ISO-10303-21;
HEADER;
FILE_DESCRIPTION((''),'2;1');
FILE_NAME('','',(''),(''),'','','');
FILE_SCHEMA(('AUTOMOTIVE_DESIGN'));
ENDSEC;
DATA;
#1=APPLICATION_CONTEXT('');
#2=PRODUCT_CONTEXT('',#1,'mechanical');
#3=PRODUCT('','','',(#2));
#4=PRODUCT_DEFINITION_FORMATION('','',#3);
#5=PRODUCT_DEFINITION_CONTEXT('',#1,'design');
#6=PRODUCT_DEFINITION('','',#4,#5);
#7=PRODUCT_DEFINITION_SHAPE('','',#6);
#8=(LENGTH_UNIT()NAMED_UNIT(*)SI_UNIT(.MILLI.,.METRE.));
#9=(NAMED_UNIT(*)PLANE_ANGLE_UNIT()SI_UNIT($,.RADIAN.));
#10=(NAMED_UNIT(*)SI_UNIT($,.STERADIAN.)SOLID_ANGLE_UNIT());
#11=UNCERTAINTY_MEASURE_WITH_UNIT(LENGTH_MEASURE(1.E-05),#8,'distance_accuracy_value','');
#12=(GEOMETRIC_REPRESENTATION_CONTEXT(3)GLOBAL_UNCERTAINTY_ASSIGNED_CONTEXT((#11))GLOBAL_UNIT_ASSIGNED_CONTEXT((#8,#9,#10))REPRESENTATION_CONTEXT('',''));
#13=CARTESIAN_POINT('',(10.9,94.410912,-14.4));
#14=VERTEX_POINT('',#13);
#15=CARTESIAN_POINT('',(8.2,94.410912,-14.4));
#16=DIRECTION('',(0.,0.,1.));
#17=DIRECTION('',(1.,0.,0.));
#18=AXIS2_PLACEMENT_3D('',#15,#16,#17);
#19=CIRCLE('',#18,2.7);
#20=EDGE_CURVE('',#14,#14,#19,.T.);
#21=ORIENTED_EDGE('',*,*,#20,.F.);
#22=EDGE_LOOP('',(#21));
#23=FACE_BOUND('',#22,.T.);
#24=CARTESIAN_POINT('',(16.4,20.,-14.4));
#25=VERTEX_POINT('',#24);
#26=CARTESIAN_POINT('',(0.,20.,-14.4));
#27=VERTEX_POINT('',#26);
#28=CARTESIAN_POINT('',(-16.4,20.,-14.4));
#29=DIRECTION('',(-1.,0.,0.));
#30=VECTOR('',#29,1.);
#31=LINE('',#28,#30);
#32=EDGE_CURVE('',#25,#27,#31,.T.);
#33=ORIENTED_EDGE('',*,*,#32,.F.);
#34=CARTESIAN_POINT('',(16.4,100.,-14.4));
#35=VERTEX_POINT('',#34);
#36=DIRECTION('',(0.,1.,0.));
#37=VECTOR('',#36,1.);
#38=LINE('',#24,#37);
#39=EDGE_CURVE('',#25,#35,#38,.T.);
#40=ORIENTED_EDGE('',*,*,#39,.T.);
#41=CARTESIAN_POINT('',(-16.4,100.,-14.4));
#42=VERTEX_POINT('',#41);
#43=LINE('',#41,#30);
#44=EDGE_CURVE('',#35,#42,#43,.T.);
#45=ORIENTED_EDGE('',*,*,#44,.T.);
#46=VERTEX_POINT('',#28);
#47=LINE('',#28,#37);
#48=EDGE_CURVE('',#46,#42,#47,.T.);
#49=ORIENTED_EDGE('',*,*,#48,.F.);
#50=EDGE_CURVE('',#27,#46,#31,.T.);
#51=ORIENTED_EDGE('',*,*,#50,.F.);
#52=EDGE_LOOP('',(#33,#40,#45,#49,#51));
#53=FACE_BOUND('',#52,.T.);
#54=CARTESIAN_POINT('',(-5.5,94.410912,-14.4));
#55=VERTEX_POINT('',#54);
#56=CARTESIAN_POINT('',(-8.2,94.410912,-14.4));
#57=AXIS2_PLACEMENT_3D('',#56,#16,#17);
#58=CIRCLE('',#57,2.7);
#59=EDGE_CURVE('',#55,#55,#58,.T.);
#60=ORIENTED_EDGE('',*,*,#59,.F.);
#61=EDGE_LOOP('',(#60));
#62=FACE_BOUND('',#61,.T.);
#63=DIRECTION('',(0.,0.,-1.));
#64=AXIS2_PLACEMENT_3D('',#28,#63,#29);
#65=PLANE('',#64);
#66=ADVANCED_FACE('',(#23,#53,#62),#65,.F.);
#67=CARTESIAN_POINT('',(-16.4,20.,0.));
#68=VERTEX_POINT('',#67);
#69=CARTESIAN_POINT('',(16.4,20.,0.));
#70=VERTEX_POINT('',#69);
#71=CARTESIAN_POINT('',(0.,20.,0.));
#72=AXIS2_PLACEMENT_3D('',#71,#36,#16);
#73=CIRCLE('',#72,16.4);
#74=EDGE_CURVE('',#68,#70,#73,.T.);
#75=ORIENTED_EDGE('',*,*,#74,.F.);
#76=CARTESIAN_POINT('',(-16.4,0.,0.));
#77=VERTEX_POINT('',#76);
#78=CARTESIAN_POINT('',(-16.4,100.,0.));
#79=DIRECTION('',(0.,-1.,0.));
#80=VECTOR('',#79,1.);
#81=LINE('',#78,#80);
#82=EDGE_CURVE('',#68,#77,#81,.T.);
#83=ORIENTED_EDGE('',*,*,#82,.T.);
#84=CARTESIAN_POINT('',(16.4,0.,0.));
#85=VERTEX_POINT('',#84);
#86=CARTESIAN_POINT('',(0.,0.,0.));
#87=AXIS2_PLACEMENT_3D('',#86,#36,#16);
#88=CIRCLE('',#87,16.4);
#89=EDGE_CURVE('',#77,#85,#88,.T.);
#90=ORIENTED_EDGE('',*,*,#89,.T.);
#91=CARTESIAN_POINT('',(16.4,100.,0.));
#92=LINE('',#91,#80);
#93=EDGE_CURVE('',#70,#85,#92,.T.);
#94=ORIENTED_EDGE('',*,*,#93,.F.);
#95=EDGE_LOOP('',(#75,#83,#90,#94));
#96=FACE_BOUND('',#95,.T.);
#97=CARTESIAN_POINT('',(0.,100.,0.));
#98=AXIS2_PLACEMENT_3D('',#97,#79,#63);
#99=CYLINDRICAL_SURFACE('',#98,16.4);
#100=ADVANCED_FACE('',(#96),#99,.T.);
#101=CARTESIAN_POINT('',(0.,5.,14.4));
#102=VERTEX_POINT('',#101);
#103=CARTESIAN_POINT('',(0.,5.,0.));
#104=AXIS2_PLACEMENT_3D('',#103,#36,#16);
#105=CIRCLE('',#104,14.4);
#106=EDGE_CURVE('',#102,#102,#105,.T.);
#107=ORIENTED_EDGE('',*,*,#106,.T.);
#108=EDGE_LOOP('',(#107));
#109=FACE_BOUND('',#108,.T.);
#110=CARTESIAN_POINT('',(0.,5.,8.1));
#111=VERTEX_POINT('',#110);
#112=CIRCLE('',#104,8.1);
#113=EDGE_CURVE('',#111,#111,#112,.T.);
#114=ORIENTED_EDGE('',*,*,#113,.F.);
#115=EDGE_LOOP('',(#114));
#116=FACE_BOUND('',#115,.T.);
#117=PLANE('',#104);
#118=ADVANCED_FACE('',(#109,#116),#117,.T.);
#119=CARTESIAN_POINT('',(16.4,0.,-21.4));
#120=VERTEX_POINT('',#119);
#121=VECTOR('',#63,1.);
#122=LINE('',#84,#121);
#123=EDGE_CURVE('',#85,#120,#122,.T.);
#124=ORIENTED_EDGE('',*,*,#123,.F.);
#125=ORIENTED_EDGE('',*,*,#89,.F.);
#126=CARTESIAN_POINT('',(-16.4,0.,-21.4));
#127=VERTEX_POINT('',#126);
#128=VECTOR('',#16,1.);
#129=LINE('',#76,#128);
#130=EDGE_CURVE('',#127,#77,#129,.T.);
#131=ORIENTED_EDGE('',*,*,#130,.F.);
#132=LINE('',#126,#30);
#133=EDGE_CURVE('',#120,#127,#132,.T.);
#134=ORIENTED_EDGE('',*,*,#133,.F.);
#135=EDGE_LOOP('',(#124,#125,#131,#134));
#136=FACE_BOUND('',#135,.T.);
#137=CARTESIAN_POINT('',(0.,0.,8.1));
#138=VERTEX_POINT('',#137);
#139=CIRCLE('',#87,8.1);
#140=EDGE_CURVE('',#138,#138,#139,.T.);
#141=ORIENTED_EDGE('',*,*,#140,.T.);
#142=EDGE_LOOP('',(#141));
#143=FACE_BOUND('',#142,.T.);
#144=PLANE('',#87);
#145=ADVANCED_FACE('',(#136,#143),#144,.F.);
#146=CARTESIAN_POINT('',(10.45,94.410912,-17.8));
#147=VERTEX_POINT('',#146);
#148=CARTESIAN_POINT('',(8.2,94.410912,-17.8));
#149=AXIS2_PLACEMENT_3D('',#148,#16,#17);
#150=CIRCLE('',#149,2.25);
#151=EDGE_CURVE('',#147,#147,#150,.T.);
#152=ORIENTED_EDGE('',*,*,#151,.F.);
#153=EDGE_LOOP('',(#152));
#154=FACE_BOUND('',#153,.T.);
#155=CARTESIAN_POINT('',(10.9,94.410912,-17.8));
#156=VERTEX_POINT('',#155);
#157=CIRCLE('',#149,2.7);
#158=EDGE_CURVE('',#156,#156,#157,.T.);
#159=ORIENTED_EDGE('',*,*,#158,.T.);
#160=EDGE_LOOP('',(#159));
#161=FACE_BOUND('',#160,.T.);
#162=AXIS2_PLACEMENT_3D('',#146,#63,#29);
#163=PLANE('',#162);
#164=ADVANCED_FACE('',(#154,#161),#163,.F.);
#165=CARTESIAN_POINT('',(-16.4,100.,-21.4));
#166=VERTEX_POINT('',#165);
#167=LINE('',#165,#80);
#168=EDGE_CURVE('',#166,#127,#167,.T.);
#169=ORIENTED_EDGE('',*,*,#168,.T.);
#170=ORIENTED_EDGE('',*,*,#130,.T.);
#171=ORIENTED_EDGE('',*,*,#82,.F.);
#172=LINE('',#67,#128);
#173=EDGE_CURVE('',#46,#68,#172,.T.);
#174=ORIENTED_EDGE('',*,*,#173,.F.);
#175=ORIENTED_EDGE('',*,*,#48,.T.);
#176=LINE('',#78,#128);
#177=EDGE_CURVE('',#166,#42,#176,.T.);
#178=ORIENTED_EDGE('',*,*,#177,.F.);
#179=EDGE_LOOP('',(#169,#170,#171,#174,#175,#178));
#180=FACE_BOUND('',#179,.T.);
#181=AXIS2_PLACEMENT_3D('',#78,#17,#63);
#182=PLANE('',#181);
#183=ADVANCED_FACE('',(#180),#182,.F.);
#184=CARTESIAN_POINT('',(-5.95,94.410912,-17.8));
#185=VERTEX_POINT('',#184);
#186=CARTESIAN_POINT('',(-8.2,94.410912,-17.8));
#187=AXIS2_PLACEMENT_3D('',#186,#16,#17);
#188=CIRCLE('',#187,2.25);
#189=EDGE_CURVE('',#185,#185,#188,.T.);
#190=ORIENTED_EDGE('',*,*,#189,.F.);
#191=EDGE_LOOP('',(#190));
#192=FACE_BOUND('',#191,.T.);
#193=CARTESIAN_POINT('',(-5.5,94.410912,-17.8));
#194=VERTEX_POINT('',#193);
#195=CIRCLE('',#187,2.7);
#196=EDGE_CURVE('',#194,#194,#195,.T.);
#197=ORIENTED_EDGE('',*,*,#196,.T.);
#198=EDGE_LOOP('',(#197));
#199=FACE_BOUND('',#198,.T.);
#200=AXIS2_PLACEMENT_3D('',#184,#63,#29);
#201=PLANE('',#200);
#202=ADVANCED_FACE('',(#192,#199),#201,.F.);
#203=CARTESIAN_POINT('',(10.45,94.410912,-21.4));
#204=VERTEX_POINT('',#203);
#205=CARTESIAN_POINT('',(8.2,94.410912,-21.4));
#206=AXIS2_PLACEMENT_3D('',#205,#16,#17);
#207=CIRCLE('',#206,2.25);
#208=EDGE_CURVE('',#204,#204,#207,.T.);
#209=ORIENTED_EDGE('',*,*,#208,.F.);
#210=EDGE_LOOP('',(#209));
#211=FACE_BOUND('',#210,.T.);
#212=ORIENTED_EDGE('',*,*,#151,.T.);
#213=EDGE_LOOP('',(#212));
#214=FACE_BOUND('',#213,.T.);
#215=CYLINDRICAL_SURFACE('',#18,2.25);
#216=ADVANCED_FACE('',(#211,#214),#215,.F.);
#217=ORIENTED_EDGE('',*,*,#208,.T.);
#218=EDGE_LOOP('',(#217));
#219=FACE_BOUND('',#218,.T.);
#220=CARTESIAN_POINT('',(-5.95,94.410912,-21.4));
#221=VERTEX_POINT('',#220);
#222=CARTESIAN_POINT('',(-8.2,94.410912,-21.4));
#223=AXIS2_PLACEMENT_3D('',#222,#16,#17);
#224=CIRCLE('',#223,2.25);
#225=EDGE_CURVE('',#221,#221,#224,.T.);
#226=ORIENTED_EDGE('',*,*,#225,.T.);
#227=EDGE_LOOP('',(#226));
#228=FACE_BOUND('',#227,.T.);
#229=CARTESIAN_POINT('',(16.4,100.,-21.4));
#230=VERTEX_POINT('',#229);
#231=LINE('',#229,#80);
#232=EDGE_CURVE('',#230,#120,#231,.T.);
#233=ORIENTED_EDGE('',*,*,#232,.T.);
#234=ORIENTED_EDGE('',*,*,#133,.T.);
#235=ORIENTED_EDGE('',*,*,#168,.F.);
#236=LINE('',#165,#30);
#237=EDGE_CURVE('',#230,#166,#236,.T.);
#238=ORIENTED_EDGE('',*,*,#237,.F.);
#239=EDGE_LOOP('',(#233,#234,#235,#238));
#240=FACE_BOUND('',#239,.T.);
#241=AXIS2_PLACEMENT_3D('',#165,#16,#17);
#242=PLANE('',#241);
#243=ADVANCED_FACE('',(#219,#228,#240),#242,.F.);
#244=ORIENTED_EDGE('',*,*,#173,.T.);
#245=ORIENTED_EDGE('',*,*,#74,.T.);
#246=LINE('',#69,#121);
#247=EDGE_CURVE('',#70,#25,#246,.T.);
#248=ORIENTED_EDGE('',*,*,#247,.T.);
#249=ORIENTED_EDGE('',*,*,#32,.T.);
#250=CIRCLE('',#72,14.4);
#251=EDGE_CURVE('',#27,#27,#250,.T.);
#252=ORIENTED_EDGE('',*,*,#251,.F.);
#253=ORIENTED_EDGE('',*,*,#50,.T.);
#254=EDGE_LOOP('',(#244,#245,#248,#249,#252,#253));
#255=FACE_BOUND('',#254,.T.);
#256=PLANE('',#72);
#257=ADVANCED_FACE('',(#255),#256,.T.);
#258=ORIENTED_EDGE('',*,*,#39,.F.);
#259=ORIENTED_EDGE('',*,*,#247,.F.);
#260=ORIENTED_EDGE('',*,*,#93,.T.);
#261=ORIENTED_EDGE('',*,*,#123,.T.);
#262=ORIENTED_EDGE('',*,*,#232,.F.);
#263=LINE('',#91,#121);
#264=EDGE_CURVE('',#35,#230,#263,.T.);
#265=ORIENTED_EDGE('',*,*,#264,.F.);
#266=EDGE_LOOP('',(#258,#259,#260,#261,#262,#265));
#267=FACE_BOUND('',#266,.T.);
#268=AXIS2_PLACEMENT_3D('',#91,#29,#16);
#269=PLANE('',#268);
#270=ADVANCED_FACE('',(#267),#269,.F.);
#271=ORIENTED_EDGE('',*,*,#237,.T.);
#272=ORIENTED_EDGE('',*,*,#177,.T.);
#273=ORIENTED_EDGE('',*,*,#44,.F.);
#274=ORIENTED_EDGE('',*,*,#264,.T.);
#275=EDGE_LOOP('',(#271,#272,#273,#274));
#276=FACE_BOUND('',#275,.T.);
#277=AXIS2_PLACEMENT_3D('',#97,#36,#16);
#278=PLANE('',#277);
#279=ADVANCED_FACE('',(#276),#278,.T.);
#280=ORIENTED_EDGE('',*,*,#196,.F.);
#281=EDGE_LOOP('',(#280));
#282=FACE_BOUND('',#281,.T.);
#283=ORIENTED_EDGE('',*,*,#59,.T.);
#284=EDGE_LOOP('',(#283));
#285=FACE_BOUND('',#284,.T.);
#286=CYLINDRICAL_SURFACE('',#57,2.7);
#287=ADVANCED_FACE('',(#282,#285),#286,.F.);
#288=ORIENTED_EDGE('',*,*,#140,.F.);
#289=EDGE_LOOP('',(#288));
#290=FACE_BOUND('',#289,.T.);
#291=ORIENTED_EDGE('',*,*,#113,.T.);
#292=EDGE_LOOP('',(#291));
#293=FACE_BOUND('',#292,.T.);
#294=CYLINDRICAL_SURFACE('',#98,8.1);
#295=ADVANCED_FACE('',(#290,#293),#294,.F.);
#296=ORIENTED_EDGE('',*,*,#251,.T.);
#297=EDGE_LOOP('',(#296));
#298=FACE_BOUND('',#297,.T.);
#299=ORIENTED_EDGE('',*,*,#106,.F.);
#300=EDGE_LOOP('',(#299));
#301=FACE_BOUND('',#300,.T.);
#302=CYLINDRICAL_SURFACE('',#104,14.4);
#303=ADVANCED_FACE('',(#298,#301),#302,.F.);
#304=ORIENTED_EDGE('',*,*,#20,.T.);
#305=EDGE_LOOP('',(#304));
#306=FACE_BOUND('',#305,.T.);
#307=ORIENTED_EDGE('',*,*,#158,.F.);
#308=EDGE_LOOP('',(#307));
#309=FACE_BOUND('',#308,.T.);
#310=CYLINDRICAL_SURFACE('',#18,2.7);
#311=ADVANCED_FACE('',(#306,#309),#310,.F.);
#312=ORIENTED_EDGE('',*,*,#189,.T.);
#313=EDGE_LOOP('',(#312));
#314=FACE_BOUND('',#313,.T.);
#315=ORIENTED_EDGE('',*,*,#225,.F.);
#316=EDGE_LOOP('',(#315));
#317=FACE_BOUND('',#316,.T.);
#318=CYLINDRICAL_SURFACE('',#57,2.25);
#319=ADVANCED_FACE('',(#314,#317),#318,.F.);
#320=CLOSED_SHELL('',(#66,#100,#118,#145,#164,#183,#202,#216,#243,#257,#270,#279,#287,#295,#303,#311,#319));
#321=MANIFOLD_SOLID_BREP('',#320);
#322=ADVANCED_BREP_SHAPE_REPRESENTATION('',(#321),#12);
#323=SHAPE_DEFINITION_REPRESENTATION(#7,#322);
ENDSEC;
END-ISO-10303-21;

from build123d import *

# Parameters (mm, degrees)
SKETCH1_R                      = 8.1
BOSS_EXTRUDE1_DEPTH            = 100
SKETCH2_R                      = 14.4
CUT_EXTRUDE1_DEPTH             = 80
CUT_EXTRUDE2_START             = -80
CUT_EXTRUDE2_DEPTH             = 80
SKETCH4_R                      = 14.4
CUT_EXTRUDE3_DEPTH             = 15
CBORE_FOR_M4_SHCS1_D           = 4.5
CBORE_FOR_M4_SHCS1_CBORE_D     = 5.4
CBORE_FOR_M4_SHCS1_CBORE_DEPTH = 3.4


with BuildPart() as part:
    # Sketch1 → Boss-Extrude1 (new body)
    with BuildSketch(Plane(origin=(0, 0, 0), x_dir=(1, 0, 0), z_dir=(0, 1, 0))):
        with BuildLine():
            Line((-16.4, 0), (-16.4, 21.4))
            Line((-16.4, 21.4), (16.4, 21.4))
            Line((16.4, 21.4), (16.4, 0))
            ThreePointArc((16.4, 0), (0, -16.4), (-16.4, 0))
        make_face()
        with Locations(Location((0, 0, 0), (0, 0, 270))):
            Circle(SKETCH1_R, mode=Mode.SUBTRACT)
    extrude(amount=BOSS_EXTRUDE1_DEPTH)

    # Sketch2 → Cut-Extrude1 (cut)
    with BuildSketch(Plane(origin=(0, 100, 0), x_dir=(1, 0, 0), z_dir=(0, 1, 0))):
        with Locations(Location((0, 0, 0), (0, 0, 270))):
            Circle(SKETCH2_R)
    extrude(amount=-CUT_EXTRUDE1_DEPTH, mode=Mode.SUBTRACT)

    # Sketch3 → Cut-Extrude2 (cut)
    with BuildSketch(Plane(origin=(0, 100, 0), x_dir=(1, 0, 0), z_dir=(0, 1, 0)).offset(CUT_EXTRUDE2_START)):
        with BuildLine():
            Line((-16.4, 0), (-16.4, 14.4))
            Line((-16.4, 14.4), (16.4, 14.4))
            Line((16.4, 14.4), (16.4, 0))
            ThreePointArc((16.4, 0), (0, -16.4), (-16.4, 0))
        make_face()
    extrude(amount=CUT_EXTRUDE2_DEPTH, mode=Mode.SUBTRACT)

    # Sketch4 → Cut-Extrude3 (cut)
    with BuildSketch(Plane(origin=(0, 20, 0), x_dir=(1, 0, 0), z_dir=(0, 1, 0))):
        with Locations(Location((0, 0, 0), (0, 0, 270))):
            Circle(SKETCH4_R)
    extrude(amount=-CUT_EXTRUDE3_DEPTH, mode=Mode.SUBTRACT)

    # CBORE for M4 SHCS1 (through all)
    with Locations(Plane.XY.offset(-14.4)):
        with Locations((8.2, 94.410911653), (-8.2, 94.410911653)):
            CounterBoreHole(CBORE_FOR_M4_SHCS1_D / 2, CBORE_FOR_M4_SHCS1_CBORE_D / 2, CBORE_FOR_M4_SHCS1_CBORE_DEPTH)


solid = part.part
